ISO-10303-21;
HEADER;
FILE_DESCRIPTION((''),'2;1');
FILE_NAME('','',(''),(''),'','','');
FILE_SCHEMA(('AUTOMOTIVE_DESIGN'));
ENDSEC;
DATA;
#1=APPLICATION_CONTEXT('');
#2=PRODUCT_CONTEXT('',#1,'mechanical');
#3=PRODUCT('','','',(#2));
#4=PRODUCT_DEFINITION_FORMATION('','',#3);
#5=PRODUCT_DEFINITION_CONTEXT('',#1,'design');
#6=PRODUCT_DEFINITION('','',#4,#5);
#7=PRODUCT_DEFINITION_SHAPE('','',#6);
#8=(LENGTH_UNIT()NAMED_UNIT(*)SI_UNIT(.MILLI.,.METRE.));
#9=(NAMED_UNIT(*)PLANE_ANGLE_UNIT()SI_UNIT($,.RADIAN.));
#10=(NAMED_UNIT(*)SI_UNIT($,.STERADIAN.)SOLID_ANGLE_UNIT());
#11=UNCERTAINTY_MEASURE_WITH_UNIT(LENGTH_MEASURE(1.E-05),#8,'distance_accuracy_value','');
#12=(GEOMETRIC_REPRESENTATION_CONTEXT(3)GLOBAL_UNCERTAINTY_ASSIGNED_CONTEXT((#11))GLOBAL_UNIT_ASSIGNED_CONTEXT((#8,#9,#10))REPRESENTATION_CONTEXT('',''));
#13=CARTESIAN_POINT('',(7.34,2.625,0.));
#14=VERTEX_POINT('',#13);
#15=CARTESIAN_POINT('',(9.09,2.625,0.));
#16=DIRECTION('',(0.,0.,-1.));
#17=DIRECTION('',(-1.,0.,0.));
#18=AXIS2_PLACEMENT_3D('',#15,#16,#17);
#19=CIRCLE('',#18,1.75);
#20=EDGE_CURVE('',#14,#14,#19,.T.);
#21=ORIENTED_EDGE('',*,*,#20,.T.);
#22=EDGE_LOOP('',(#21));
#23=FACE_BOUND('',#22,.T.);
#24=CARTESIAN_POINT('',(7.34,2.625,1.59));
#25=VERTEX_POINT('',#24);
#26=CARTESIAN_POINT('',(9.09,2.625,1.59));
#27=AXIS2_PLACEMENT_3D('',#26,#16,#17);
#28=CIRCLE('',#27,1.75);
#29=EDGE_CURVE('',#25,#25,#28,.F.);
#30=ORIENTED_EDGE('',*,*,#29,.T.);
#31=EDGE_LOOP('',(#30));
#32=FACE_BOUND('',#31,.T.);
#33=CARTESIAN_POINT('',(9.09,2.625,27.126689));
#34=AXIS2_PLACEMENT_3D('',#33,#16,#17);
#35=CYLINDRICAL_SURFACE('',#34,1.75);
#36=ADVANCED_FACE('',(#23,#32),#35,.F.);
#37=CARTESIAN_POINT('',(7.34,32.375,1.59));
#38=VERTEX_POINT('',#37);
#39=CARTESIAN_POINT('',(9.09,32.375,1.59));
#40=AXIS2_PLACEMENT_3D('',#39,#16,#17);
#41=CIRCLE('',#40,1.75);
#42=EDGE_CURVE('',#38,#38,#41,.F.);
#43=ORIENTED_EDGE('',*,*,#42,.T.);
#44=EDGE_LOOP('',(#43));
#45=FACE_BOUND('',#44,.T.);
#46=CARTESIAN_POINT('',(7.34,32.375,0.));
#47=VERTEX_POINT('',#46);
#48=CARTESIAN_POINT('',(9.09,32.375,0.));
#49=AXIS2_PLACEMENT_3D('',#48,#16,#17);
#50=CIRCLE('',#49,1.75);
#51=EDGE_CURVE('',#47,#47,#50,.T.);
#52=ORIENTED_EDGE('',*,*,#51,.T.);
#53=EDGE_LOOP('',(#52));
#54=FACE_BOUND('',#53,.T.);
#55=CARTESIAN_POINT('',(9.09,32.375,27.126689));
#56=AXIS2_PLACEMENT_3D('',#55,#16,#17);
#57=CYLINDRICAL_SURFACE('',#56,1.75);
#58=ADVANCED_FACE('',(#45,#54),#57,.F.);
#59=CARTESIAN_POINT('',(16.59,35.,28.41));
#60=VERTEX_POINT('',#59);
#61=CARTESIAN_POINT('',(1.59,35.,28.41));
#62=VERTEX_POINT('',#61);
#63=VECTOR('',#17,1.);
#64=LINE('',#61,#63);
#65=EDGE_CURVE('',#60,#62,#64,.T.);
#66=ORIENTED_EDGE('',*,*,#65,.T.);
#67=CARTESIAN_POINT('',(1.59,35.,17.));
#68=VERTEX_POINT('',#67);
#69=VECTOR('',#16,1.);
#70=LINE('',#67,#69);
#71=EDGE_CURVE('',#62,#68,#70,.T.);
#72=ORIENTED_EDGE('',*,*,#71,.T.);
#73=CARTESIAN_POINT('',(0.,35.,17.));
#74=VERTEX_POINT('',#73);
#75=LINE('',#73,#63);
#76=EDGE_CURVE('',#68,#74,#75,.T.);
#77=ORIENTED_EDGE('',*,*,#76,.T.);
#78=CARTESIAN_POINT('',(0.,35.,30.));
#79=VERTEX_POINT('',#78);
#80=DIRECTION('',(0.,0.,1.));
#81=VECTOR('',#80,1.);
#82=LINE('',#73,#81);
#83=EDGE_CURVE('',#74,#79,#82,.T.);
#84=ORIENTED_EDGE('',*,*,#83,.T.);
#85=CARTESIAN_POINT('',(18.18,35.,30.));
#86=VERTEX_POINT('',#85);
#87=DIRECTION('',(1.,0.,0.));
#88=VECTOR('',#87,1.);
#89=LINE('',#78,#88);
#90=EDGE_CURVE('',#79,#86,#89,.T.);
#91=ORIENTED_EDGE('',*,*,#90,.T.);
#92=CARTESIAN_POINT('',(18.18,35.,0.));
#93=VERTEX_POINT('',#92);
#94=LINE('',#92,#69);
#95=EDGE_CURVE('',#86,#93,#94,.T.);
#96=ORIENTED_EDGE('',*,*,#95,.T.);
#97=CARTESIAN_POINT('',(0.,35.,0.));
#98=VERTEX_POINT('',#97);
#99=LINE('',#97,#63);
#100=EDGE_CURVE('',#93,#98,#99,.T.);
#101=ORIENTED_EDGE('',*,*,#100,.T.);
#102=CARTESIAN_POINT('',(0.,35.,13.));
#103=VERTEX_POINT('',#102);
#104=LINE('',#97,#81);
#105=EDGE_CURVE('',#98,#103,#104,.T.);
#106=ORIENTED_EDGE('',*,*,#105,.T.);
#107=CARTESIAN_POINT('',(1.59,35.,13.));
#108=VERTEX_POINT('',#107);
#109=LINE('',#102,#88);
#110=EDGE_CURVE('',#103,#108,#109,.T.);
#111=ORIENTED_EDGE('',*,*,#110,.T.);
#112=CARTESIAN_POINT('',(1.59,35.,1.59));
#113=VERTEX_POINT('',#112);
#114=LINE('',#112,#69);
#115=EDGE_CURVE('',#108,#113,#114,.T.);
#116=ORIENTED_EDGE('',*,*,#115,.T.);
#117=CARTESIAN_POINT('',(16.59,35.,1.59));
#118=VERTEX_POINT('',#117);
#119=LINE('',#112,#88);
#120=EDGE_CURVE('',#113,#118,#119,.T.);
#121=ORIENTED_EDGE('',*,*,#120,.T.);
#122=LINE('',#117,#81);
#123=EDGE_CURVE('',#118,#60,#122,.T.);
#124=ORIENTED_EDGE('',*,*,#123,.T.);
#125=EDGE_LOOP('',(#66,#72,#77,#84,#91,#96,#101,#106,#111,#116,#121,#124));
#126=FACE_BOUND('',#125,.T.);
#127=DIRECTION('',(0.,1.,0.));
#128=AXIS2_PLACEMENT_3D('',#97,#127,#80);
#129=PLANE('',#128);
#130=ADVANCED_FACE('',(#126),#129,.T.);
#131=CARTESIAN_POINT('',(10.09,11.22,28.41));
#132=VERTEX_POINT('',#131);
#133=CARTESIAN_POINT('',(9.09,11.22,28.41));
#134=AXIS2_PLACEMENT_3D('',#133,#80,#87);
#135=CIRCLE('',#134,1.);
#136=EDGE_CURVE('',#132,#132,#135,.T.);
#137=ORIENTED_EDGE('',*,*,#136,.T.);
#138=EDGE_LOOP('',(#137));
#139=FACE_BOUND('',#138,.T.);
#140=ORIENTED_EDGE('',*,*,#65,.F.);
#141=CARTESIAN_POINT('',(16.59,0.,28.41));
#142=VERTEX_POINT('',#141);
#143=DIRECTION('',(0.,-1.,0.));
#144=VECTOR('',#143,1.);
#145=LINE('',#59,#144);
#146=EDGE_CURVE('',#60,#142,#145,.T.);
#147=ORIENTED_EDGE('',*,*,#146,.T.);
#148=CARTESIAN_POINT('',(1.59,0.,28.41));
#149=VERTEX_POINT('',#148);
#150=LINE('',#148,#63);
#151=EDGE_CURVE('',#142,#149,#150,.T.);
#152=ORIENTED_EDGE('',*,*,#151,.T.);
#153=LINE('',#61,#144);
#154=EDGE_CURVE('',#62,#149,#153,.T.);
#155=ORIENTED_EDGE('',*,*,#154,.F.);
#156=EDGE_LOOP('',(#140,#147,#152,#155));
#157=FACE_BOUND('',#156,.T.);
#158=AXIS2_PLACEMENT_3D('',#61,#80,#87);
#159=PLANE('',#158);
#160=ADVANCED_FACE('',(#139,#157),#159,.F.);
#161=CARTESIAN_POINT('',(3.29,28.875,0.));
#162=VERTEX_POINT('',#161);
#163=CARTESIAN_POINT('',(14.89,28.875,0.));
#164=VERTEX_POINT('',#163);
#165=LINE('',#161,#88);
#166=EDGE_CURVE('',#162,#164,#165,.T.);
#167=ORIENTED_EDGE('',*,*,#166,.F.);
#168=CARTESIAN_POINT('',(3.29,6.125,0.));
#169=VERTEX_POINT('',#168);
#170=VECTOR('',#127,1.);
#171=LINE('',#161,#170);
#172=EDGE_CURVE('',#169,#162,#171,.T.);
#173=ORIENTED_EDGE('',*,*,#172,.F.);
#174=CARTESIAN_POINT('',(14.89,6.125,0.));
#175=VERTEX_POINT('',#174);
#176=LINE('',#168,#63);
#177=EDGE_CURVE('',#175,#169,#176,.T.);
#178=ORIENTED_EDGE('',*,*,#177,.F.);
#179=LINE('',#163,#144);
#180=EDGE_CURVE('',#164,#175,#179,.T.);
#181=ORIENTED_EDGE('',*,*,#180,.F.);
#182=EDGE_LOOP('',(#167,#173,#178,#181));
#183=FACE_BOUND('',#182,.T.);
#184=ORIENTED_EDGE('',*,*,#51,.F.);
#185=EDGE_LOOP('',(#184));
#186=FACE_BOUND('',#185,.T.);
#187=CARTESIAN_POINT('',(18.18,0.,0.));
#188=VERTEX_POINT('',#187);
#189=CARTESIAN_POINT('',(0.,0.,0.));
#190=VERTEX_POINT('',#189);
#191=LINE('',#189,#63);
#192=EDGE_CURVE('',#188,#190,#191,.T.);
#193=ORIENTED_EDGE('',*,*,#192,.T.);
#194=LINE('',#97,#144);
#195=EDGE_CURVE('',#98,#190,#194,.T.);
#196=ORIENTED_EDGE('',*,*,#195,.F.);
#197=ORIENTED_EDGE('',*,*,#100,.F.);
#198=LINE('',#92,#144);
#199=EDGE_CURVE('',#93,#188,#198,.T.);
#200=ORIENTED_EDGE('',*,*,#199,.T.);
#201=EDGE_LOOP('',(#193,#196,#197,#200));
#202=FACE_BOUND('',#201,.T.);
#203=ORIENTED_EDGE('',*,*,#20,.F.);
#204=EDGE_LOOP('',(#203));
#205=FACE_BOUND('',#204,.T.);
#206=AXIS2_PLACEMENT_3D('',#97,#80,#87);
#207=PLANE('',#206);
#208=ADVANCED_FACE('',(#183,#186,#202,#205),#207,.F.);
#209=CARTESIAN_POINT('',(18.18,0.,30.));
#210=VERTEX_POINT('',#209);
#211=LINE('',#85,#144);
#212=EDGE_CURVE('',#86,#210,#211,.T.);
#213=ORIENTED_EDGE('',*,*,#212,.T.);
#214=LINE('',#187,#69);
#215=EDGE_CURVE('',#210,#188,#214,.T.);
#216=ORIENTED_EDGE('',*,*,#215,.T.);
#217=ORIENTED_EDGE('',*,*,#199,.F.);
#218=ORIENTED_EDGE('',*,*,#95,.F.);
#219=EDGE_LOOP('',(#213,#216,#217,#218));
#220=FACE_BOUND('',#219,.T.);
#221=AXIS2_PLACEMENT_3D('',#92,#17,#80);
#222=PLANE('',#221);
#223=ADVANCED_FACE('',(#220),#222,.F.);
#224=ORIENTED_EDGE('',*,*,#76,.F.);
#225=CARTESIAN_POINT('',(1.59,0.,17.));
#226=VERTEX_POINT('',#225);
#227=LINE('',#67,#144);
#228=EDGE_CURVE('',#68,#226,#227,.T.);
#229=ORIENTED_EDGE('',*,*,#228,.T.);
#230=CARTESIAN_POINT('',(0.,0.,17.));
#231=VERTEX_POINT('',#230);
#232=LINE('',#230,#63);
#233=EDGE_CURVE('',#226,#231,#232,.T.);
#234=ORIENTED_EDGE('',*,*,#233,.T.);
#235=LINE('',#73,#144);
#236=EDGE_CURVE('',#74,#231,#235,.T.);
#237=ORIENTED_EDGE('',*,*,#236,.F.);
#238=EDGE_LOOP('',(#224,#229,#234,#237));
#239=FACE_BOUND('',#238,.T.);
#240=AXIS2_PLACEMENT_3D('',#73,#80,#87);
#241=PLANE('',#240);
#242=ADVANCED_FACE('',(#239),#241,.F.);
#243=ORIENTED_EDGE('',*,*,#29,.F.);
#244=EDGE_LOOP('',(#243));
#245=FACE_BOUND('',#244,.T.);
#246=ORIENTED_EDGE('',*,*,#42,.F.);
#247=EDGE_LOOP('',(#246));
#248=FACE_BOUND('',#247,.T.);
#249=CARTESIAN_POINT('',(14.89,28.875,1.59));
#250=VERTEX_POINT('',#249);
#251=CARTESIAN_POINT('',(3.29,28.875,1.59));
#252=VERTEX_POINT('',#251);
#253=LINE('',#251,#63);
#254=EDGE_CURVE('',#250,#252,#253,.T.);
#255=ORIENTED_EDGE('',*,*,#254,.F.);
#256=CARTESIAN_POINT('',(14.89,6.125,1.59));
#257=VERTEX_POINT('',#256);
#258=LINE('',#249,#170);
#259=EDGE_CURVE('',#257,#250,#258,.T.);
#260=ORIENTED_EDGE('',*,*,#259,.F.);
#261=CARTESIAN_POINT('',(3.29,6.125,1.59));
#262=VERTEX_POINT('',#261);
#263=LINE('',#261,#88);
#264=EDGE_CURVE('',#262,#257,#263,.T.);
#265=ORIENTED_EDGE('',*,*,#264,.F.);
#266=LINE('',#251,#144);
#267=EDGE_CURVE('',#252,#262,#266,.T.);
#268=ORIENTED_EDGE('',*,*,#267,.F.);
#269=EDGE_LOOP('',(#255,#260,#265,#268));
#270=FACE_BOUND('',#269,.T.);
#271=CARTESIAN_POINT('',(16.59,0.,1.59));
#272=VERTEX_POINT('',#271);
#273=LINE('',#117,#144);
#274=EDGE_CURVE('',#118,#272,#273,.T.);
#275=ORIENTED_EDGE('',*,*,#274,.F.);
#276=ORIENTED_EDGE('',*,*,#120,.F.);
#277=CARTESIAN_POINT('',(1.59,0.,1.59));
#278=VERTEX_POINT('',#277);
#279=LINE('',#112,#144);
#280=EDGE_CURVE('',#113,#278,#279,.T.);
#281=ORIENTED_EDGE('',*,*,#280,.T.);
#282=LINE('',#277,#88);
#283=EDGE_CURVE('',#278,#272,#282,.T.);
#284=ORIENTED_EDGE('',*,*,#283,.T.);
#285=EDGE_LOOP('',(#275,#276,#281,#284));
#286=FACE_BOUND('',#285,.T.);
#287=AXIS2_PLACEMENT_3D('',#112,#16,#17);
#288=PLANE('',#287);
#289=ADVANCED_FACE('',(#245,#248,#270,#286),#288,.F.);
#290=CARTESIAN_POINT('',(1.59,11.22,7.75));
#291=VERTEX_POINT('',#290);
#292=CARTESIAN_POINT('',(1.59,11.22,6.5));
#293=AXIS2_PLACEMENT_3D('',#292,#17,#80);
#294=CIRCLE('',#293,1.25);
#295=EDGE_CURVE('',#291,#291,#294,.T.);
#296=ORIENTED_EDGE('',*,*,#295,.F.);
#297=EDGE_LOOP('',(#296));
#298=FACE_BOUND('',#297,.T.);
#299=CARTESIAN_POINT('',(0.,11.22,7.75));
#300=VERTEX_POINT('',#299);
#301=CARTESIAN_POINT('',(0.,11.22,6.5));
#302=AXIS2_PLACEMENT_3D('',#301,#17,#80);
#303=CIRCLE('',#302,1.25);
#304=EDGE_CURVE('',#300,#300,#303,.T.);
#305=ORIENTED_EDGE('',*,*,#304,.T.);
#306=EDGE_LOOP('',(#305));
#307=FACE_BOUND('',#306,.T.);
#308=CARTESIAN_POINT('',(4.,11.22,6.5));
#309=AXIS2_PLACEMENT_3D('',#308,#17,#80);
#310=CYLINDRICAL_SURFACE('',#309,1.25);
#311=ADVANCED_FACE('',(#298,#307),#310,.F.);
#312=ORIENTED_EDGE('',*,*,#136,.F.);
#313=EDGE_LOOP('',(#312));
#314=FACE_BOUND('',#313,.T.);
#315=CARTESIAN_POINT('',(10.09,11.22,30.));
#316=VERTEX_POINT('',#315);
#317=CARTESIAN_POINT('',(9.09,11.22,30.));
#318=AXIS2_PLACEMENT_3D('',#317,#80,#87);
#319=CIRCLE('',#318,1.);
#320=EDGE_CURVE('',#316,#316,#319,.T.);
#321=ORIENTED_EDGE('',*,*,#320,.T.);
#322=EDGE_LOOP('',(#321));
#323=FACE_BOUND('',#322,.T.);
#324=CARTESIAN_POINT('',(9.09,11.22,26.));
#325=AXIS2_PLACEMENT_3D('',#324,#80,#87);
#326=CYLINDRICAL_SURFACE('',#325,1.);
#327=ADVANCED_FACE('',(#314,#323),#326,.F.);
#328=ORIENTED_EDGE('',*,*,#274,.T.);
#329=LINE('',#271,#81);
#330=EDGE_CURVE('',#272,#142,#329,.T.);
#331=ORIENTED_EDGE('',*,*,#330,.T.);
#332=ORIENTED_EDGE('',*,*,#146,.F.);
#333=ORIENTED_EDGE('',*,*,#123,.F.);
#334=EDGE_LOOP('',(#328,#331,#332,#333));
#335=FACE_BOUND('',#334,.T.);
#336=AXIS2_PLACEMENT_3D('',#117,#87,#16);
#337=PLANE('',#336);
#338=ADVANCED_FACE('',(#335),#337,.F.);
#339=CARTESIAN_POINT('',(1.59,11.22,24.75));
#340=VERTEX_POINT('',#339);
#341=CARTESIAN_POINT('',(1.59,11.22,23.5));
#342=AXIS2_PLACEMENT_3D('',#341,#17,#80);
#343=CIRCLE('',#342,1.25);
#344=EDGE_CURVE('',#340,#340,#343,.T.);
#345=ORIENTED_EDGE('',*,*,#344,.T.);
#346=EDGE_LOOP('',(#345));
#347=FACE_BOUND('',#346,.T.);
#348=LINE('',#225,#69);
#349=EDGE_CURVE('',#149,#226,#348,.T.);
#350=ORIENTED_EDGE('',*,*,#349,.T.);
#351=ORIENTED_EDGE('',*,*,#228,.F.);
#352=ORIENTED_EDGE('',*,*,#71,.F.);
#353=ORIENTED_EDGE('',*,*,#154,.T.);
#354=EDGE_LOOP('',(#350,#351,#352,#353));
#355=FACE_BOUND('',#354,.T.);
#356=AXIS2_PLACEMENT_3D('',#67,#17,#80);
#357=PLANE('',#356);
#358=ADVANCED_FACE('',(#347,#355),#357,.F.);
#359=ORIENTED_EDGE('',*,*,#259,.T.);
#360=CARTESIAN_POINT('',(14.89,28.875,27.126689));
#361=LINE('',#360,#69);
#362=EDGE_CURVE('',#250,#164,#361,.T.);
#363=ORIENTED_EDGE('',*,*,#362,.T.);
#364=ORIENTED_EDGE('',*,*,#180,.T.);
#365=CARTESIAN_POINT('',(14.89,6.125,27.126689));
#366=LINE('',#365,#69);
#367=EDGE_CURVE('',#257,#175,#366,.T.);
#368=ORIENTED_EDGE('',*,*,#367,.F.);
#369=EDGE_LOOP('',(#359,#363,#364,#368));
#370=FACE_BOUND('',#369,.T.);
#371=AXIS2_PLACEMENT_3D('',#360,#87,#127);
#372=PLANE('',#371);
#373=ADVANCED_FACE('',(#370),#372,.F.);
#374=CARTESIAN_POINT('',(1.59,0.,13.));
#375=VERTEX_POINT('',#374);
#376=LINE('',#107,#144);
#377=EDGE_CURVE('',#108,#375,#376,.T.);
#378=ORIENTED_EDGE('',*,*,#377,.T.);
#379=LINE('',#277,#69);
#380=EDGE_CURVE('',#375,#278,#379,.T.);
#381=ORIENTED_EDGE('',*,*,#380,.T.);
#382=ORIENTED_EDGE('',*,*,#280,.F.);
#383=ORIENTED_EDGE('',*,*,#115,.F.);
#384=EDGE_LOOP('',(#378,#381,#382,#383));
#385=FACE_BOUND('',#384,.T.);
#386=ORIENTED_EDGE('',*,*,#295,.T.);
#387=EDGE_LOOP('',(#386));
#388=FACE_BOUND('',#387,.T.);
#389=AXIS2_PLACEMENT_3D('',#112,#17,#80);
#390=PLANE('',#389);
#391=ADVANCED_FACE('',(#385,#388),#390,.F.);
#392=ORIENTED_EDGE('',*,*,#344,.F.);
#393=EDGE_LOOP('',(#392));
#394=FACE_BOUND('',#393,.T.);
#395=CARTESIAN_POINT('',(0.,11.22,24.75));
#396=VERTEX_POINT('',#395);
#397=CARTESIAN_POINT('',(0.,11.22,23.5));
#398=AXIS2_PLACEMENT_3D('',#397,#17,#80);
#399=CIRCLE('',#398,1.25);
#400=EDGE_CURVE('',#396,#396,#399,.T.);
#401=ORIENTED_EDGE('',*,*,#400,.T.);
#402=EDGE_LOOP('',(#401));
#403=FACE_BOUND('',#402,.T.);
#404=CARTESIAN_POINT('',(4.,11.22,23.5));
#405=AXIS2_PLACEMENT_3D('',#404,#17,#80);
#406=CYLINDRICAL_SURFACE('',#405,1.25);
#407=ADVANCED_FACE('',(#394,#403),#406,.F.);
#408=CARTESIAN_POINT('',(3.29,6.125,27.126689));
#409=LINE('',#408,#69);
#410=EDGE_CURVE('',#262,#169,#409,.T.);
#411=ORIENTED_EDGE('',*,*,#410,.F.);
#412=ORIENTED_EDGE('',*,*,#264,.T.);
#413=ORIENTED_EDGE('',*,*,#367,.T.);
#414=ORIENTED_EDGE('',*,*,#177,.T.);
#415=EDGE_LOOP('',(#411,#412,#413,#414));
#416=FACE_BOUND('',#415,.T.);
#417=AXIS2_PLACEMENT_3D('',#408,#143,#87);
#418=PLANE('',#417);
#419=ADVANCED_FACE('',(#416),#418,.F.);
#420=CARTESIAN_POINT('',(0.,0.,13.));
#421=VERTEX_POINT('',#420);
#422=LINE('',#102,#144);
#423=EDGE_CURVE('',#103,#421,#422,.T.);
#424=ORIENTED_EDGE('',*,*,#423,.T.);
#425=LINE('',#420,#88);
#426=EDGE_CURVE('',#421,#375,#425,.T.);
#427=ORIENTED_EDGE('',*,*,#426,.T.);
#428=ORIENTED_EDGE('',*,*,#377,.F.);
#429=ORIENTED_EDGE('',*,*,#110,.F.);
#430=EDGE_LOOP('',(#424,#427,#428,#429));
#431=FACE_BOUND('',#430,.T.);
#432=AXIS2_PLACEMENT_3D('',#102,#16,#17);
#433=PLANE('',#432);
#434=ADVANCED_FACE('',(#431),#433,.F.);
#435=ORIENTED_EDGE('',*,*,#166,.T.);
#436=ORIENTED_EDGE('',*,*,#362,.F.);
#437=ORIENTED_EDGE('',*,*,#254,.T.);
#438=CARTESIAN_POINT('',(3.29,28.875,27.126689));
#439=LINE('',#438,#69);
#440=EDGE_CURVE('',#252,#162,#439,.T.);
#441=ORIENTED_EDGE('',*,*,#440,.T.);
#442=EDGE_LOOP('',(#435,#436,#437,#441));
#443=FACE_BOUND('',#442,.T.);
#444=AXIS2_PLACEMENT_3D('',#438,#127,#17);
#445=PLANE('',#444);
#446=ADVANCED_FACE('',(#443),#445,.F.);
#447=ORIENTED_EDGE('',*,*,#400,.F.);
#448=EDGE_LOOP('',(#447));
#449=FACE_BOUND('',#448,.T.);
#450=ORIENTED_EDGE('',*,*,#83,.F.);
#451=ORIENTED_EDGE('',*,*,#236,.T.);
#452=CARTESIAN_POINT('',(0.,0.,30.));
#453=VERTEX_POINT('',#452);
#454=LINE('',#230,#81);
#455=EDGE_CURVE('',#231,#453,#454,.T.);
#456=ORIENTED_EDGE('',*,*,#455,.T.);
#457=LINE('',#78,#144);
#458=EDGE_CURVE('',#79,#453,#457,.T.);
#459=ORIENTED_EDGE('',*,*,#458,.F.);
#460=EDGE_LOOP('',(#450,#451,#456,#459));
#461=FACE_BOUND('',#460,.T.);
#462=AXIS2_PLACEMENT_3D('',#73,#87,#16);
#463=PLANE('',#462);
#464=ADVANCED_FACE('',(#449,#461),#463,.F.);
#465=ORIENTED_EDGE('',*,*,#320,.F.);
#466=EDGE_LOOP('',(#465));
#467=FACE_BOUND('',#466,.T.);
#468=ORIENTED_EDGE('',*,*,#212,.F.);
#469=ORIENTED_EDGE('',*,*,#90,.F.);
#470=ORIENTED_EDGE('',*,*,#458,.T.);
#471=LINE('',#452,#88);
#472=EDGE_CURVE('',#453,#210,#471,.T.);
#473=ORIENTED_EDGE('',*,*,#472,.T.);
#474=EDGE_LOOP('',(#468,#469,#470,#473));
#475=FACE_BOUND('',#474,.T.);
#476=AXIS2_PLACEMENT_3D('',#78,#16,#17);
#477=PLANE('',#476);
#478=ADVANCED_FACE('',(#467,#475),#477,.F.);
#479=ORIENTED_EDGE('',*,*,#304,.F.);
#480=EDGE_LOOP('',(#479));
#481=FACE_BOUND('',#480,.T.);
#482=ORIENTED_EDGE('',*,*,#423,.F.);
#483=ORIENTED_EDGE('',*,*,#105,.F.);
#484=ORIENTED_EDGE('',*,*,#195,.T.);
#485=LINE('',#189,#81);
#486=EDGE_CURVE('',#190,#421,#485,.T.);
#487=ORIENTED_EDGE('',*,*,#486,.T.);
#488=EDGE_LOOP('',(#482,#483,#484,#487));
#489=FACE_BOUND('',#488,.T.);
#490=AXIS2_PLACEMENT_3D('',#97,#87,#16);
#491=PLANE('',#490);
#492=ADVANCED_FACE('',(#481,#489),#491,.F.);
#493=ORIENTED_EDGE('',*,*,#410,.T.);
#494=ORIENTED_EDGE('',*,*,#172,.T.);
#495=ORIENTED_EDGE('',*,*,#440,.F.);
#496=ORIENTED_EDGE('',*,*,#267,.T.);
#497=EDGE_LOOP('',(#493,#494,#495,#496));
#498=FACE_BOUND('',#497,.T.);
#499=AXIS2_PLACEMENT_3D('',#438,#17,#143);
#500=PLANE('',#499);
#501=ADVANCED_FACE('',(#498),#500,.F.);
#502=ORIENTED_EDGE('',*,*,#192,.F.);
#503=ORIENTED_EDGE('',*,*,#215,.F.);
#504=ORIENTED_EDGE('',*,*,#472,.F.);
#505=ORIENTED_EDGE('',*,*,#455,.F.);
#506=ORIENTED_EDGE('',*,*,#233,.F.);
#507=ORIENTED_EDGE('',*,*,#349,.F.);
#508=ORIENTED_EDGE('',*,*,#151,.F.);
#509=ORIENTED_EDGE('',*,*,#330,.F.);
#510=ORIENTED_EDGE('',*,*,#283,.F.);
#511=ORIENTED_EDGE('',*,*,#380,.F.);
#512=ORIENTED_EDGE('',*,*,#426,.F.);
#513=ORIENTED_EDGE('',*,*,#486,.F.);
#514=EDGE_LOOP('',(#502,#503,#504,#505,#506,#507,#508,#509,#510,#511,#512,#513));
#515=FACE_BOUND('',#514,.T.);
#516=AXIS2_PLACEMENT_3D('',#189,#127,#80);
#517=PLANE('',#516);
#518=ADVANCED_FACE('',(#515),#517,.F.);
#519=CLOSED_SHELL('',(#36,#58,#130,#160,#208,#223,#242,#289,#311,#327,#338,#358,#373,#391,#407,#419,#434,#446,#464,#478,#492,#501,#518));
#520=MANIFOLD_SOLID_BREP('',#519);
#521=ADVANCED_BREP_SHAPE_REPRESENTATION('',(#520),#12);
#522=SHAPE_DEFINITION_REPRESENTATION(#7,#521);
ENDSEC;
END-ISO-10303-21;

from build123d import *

# Parameters (mm, degrees)
BOSS_EXTRUDE1_DEPTH = 35
SKETCH2_R           = 1.75
SKETCH2_W           = 11.6
SKETCH2_H           = 22.75
CUT_EXTRUDE1_DEPTH  = 1.59
SKETCH4_R           = 1.25
CUT_EXTRUDE3_DEPTH  = 4
SKETCH5_R           = 1
CUT_EXTRUDE4_DEPTH  = 4


with BuildPart() as part:
    # Sketch1 → Boss-Extrude1 (new body)
    with BuildSketch(Plane(origin=(0, 0, 0), x_dir=(1, 0, 0), z_dir=(0, 1, 0))):
        Polygon((0, -13), (1.59, -13), (1.59, -1.59), (16.59, -1.59), (16.59, -28.41), (1.59, -28.41), (1.59, -17), (0, -17), (0, -30), (18.18, -30), (18.18, 0), (0, 0), align=None)
    extrude(amount=BOSS_EXTRUDE1_DEPTH)

    # Sketch2 → Cut-Extrude1 (cut)
    with BuildSketch(Plane(origin=(0, 0, 0), x_dir=(-1, 0, 0), z_dir=(0, 0, -1))):
        with Locations((-9.09, 32.375)):
            Circle(SKETCH2_R)
        with Locations((-9.09, 2.625)):
            Circle(SKETCH2_R)
        with Locations((-9.09, 17.5)):
            Rectangle(SKETCH2_W, SKETCH2_H)
    extrude(amount=-CUT_EXTRUDE1_DEPTH, mode=Mode.SUBTRACT)

    # Sketch4 → Cut-Extrude3 (cut)
    with BuildSketch(Plane.ZY):
        with Locations((6.5, 11.22)):
            Circle(SKETCH4_R)
        with Locations((23.5, 11.22)):
            Circle(SKETCH4_R)
    extrude(amount=-CUT_EXTRUDE3_DEPTH, mode=Mode.SUBTRACT)

    # Sketch5 → Cut-Extrude4 (cut)
    with BuildSketch(Plane.XY.offset(30)):
        with Locations((9.09, 11.22)):
            Circle(SKETCH5_R)
    extrude(amount=-CUT_EXTRUDE4_DEPTH, mode=Mode.SUBTRACT)


solid = part.part
